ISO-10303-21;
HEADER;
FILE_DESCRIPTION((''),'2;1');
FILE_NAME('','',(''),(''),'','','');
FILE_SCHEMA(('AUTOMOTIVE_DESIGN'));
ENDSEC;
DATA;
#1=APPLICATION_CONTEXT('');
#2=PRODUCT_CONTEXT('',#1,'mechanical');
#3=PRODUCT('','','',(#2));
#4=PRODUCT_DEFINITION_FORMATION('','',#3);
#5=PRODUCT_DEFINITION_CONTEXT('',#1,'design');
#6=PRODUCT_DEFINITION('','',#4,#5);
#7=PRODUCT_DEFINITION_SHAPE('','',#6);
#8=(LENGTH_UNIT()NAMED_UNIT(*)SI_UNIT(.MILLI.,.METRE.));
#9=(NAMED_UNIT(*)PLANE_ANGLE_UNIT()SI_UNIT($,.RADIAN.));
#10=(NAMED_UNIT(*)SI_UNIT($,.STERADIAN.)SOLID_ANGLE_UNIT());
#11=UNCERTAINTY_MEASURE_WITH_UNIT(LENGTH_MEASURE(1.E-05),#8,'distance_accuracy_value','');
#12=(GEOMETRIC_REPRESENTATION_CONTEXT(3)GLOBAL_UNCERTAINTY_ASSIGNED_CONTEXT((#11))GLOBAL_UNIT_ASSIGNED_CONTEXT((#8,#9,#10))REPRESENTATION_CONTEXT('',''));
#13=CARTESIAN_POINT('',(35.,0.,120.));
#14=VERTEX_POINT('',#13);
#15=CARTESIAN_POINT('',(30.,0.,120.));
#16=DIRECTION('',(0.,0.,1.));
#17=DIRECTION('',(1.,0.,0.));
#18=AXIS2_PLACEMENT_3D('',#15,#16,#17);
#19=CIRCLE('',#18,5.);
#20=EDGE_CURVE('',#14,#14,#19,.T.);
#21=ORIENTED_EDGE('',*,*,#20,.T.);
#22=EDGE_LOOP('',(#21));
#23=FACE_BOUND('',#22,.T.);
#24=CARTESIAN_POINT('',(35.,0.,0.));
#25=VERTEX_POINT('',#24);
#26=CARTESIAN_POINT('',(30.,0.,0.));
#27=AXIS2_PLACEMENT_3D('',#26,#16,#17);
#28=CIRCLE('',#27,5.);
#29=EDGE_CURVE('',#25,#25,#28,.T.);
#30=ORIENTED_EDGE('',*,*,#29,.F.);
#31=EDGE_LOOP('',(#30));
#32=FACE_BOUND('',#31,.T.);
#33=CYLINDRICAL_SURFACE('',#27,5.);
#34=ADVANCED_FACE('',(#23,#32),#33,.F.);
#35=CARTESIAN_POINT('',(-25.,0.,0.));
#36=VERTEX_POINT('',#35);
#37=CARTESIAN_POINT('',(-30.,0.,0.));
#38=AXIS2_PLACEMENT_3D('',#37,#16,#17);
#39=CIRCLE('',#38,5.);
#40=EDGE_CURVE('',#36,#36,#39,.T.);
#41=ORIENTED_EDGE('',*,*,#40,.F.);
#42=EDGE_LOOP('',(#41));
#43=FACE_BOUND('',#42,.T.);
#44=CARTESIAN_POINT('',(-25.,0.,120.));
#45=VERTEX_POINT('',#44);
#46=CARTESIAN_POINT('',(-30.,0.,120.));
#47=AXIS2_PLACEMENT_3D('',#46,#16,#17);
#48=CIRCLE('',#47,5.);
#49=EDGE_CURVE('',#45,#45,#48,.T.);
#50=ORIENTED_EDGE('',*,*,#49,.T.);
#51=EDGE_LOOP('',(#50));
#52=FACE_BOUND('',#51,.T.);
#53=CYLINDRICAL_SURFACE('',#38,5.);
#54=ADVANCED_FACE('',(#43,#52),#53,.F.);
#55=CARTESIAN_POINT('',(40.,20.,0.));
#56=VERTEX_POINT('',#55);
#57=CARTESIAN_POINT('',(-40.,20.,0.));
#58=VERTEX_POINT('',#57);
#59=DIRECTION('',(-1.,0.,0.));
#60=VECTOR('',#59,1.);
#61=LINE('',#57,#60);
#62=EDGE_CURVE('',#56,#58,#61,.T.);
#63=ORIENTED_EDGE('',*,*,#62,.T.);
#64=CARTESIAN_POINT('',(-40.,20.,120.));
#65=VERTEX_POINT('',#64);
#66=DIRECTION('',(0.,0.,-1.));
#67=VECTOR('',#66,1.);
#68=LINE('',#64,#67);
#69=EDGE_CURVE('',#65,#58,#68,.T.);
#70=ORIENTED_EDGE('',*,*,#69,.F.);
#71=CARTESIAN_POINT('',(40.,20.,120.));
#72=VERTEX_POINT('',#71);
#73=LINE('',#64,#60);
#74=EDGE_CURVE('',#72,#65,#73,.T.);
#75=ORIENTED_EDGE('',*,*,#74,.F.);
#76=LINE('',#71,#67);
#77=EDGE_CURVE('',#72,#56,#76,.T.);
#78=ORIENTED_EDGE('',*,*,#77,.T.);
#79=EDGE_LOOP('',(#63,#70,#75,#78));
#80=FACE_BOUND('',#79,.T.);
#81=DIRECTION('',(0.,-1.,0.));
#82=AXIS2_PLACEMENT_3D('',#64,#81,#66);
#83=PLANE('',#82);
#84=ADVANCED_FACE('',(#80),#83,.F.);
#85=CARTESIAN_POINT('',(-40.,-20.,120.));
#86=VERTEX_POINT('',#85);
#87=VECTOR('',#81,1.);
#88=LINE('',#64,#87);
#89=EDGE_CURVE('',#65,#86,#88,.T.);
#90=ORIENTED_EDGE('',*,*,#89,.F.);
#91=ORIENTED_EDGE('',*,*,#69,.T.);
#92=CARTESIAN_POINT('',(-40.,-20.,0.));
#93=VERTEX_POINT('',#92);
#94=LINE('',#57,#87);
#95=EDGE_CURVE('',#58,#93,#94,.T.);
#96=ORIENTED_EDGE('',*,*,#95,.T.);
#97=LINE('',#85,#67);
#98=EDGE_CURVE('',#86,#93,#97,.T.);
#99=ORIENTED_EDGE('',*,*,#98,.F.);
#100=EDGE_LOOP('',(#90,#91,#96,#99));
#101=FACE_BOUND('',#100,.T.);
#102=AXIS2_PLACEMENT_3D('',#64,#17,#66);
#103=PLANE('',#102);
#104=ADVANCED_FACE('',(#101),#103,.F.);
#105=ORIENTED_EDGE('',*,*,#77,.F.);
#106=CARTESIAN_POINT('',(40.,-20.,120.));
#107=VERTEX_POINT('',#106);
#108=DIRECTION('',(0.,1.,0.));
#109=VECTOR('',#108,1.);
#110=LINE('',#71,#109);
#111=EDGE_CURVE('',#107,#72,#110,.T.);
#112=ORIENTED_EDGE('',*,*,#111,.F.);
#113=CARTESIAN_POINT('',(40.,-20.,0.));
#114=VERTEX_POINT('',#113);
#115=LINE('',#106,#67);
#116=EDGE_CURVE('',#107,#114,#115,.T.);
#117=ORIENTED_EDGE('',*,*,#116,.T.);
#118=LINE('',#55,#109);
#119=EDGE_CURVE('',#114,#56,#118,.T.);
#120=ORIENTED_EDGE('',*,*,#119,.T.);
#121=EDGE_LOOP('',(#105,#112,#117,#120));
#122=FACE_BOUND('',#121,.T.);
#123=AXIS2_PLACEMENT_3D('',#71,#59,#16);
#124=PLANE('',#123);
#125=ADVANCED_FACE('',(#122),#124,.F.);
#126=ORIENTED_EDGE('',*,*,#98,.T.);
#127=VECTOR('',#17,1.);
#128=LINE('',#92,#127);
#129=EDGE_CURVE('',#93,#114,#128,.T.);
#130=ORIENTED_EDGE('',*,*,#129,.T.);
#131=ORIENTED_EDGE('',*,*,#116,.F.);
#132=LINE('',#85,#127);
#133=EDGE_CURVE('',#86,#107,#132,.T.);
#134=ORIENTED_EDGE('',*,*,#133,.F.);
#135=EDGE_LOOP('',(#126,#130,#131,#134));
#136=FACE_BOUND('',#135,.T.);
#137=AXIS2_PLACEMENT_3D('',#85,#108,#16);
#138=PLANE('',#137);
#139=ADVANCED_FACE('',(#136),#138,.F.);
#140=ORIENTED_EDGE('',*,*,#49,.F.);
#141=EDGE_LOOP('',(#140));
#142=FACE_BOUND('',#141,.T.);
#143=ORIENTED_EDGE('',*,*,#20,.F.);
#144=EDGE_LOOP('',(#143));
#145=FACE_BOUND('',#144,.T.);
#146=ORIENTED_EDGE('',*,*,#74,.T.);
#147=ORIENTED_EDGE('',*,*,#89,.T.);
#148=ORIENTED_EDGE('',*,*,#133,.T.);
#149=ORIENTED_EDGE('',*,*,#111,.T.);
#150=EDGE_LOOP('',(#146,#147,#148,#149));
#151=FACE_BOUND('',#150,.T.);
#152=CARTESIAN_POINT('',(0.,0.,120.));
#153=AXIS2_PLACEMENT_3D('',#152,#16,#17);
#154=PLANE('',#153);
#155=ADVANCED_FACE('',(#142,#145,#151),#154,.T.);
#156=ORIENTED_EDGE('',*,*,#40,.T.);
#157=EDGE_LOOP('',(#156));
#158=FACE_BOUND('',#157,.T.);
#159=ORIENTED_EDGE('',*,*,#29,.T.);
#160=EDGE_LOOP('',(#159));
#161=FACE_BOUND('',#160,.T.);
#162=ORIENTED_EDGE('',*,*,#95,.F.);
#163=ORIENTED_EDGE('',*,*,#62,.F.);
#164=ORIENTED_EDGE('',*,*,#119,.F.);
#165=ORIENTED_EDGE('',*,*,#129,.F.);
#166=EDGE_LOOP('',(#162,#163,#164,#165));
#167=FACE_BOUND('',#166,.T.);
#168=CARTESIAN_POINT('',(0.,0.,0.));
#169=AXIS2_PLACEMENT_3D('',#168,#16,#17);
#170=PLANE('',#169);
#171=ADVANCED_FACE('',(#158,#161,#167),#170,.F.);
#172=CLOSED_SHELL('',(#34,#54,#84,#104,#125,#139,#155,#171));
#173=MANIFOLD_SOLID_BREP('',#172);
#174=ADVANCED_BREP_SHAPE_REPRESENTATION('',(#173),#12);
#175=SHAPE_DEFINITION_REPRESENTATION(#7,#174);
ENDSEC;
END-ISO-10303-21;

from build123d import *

# Parameters (mm, degrees)
SKETCH_1_W          = 80
SKETCH_1_H          = 40
EXTRUDE_1_DEPTH     = 120
SKETCH_2_R          = 5
CUT_EXTRUDE_1_DEPTH = 120


with BuildPart() as part:
    # 草图1 → 凸台-拉伸1 (new body)
    with BuildSketch(Plane.XY):
        Rectangle(SKETCH_1_W, SKETCH_1_H)
    extrude(amount=EXTRUDE_1_DEPTH)

    # 草图2 → 切除-拉伸1 (cut)
    with BuildSketch(Plane.XY.offset(120)):
        with Locations((-30, 0)):
            Circle(SKETCH_2_R)
        with Locations((30, 0)):
            Circle(SKETCH_2_R)
    extrude(amount=-CUT_EXTRUDE_1_DEPTH, mode=Mode.SUBTRACT)


solid = part.part
